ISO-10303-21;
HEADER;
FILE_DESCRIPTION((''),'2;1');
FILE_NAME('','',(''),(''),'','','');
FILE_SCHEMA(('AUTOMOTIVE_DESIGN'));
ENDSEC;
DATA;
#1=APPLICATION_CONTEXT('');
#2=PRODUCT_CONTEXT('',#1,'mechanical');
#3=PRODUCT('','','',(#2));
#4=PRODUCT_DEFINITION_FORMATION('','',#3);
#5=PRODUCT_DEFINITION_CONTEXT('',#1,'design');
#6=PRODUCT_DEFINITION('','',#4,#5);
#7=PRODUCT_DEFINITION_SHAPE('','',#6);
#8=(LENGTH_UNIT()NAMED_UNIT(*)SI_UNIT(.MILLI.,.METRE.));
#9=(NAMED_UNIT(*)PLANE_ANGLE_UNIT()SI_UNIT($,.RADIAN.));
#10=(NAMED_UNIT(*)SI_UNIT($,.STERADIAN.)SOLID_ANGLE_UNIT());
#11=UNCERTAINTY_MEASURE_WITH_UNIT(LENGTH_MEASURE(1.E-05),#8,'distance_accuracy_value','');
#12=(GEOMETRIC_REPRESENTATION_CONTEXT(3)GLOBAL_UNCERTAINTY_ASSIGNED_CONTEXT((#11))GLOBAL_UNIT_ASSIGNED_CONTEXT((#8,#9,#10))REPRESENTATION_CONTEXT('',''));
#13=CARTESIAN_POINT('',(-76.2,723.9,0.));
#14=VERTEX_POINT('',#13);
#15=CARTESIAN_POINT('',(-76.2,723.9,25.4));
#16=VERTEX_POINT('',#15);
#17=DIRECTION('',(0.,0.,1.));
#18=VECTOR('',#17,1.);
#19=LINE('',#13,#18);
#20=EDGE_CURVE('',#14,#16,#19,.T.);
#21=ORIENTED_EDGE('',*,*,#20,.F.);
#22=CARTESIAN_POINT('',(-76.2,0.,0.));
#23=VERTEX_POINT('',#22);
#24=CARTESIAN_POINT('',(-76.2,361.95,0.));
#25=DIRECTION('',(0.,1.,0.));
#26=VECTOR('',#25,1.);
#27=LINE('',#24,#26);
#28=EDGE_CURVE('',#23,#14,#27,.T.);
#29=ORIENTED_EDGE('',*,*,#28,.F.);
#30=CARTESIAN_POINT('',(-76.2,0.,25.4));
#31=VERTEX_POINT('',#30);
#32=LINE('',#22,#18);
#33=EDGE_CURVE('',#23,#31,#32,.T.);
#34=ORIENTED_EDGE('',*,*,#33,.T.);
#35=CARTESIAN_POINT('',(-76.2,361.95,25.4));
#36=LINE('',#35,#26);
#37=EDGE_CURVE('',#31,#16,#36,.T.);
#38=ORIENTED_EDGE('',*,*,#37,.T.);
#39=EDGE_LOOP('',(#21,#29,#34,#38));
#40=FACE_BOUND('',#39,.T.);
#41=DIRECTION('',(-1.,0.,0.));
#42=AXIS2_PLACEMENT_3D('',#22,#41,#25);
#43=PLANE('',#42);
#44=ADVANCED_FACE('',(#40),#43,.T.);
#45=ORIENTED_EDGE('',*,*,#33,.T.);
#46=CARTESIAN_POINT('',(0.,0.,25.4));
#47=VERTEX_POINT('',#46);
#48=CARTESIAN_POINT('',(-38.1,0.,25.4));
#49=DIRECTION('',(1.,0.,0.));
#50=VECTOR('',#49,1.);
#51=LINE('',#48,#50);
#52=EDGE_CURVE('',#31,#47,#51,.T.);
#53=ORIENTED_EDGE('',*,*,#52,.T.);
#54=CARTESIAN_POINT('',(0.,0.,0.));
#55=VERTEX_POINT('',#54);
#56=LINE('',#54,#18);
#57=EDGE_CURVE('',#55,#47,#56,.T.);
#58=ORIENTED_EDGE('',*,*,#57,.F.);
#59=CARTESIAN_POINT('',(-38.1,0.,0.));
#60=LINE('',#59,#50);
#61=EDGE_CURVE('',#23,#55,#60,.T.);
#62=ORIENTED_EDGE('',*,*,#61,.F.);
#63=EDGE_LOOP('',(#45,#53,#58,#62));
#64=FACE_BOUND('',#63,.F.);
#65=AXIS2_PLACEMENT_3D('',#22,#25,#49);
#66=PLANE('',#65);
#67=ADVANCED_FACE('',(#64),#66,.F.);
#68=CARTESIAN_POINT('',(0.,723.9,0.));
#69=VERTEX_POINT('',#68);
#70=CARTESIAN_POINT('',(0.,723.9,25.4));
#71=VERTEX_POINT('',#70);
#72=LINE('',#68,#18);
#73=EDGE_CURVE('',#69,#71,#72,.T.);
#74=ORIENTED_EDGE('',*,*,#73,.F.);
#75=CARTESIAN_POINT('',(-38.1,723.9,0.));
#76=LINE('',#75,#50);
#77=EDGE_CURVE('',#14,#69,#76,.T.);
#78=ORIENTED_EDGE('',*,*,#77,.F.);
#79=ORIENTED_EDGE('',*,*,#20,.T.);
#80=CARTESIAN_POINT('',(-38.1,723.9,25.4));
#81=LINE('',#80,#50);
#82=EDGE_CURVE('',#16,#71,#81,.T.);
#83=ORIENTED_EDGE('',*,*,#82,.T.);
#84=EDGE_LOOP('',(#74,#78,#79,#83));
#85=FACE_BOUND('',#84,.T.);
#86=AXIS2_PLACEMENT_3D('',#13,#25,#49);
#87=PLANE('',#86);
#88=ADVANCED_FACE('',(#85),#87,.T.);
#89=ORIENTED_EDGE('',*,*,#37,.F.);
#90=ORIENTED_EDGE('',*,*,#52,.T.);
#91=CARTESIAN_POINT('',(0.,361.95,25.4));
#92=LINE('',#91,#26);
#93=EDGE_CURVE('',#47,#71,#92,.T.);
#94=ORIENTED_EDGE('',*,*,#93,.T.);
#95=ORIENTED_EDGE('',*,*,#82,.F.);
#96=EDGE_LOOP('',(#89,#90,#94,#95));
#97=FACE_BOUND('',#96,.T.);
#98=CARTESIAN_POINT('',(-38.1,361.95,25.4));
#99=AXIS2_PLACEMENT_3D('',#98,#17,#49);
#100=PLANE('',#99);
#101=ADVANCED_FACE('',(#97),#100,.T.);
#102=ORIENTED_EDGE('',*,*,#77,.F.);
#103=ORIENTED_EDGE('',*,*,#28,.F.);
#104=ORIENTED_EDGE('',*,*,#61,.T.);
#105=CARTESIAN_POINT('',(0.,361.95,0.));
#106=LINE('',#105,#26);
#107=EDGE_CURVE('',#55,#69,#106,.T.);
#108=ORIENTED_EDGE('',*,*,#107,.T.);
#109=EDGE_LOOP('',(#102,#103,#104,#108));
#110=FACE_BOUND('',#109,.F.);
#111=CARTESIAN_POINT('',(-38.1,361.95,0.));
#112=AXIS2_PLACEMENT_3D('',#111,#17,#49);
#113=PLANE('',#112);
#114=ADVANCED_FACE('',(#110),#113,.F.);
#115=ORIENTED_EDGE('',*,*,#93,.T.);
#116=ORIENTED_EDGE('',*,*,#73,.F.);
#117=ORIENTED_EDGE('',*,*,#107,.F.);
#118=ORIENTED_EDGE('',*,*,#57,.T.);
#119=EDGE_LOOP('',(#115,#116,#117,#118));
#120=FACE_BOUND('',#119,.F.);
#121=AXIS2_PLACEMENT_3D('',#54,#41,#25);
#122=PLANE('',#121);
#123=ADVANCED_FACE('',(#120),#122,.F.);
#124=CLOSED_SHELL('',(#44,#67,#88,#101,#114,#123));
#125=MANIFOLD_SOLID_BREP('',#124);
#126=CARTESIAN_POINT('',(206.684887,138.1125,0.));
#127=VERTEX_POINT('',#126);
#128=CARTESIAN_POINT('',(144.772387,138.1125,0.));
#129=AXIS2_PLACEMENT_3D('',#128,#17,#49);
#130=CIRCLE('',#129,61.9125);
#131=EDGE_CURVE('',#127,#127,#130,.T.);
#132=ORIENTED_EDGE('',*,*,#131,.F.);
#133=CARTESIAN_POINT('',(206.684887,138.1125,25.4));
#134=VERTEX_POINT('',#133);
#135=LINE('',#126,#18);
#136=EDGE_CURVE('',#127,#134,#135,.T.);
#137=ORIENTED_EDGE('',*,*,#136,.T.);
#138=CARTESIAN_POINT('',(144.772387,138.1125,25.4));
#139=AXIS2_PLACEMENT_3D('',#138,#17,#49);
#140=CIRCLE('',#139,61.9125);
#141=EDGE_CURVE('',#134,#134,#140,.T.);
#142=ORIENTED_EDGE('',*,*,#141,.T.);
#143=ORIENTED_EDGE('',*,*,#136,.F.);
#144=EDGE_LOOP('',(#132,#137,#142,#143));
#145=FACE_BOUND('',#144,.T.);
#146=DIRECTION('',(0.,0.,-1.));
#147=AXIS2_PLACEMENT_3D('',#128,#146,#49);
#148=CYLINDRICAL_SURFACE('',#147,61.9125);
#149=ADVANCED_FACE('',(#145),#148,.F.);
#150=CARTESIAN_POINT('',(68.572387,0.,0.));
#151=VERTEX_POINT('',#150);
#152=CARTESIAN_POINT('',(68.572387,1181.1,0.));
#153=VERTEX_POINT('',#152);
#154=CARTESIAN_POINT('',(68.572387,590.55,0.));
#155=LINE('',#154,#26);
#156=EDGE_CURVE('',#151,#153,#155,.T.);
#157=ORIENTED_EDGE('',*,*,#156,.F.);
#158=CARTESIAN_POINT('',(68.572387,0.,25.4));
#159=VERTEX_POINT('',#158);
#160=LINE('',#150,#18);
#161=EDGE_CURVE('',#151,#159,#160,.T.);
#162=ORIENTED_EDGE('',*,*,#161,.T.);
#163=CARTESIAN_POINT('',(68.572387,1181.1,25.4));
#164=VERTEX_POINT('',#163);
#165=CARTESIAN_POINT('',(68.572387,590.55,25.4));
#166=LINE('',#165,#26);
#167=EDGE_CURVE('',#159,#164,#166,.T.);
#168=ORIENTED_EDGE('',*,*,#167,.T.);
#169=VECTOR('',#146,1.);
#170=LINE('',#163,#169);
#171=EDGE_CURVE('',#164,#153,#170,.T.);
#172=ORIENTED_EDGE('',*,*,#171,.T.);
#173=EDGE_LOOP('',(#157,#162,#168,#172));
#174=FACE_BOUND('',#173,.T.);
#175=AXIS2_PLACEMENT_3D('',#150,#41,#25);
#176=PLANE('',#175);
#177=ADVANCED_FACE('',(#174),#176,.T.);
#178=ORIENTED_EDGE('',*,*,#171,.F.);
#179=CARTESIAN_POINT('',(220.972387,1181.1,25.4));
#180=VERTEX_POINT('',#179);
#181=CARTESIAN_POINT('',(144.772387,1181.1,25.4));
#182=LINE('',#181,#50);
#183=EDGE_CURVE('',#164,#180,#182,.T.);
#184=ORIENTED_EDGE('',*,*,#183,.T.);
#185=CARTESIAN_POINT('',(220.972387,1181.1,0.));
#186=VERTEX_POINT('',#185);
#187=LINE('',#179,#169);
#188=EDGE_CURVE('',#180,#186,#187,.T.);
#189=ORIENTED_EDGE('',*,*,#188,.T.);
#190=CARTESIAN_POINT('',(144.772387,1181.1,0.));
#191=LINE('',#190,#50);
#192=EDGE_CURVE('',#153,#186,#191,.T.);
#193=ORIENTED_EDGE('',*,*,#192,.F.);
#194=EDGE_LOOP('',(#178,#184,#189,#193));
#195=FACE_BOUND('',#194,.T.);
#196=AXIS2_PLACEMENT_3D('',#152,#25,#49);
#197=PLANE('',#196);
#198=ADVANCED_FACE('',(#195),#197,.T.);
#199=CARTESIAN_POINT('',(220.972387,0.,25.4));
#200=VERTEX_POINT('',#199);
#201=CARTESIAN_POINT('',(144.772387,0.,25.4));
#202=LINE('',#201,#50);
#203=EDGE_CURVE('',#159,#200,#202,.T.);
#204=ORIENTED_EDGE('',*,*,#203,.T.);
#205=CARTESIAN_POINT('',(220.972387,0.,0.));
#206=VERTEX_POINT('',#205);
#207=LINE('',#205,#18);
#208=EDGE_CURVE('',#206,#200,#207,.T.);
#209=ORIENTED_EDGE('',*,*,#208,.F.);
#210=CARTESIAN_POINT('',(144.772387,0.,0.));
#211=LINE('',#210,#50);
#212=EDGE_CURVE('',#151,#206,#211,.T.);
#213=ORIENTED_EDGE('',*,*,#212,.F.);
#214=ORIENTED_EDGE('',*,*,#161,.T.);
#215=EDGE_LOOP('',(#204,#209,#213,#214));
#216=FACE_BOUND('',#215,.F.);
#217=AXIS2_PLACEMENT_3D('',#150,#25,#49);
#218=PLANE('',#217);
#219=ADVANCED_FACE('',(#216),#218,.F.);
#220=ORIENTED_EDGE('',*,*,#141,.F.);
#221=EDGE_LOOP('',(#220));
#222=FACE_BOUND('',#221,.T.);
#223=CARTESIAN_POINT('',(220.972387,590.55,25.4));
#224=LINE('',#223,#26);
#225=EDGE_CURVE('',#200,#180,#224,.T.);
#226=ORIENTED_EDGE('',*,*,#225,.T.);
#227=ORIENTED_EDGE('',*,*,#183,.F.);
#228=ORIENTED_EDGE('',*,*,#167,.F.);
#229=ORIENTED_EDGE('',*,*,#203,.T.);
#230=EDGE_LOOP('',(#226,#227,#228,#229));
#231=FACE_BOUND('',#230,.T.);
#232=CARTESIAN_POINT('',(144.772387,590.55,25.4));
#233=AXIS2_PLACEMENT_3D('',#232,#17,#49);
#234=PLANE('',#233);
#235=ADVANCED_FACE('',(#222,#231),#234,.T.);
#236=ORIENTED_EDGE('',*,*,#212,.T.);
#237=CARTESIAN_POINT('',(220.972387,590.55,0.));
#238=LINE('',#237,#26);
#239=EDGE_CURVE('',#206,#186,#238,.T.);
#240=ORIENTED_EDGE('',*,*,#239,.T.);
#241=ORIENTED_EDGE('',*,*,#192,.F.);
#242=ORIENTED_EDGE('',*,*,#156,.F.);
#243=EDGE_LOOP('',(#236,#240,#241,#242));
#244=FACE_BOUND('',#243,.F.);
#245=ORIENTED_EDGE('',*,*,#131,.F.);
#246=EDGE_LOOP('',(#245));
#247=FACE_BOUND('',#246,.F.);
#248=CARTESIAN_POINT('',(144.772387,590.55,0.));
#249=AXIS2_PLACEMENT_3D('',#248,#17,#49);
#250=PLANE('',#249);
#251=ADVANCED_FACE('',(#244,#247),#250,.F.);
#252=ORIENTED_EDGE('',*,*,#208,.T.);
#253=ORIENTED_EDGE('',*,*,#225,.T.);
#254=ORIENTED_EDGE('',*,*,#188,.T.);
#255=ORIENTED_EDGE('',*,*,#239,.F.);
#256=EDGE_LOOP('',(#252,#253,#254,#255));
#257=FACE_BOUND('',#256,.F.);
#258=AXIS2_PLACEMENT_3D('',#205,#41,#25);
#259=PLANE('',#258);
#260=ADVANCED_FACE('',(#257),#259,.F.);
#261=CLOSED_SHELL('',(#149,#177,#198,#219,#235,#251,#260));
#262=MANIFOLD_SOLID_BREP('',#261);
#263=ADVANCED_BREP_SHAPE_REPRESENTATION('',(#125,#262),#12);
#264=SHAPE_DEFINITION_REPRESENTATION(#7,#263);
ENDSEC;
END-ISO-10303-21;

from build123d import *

# Parameters (mm, degrees)
F0_W     = 152.4
F0_H     = 1181.1
F0_R     = 61.9125
F1_DEPTH = 6.35
F0_W_2   = 76.2
F0_H_2   = 723.9
F2_DEPTH = 25.4


with BuildPart() as f1:
    # F0 (on Top) → F1 (new body)
    with BuildSketch(Plane.XY):
        with Locations((144.772387, 590.55)):
            Rectangle(F0_W, F0_H)
        with Locations((144.772387, 138.1125)):
            Circle(F0_R, mode=Mode.SUBTRACT)
    extrude(amount=F1_DEPTH)

    # F0 (on Top) → F2 (join)
    with BuildSketch(Plane.XY):
        with Locations((-38.1, 361.95)):
            Rectangle(F0_W_2, F0_H_2)
        with Locations((144.772387, 590.55)):
            Rectangle(F0_W, F0_H)
        with Locations((144.772387, 138.1125)):
            Circle(F0_R, mode=Mode.SUBTRACT)
    extrude(amount=F2_DEPTH)


solid = f1.part
